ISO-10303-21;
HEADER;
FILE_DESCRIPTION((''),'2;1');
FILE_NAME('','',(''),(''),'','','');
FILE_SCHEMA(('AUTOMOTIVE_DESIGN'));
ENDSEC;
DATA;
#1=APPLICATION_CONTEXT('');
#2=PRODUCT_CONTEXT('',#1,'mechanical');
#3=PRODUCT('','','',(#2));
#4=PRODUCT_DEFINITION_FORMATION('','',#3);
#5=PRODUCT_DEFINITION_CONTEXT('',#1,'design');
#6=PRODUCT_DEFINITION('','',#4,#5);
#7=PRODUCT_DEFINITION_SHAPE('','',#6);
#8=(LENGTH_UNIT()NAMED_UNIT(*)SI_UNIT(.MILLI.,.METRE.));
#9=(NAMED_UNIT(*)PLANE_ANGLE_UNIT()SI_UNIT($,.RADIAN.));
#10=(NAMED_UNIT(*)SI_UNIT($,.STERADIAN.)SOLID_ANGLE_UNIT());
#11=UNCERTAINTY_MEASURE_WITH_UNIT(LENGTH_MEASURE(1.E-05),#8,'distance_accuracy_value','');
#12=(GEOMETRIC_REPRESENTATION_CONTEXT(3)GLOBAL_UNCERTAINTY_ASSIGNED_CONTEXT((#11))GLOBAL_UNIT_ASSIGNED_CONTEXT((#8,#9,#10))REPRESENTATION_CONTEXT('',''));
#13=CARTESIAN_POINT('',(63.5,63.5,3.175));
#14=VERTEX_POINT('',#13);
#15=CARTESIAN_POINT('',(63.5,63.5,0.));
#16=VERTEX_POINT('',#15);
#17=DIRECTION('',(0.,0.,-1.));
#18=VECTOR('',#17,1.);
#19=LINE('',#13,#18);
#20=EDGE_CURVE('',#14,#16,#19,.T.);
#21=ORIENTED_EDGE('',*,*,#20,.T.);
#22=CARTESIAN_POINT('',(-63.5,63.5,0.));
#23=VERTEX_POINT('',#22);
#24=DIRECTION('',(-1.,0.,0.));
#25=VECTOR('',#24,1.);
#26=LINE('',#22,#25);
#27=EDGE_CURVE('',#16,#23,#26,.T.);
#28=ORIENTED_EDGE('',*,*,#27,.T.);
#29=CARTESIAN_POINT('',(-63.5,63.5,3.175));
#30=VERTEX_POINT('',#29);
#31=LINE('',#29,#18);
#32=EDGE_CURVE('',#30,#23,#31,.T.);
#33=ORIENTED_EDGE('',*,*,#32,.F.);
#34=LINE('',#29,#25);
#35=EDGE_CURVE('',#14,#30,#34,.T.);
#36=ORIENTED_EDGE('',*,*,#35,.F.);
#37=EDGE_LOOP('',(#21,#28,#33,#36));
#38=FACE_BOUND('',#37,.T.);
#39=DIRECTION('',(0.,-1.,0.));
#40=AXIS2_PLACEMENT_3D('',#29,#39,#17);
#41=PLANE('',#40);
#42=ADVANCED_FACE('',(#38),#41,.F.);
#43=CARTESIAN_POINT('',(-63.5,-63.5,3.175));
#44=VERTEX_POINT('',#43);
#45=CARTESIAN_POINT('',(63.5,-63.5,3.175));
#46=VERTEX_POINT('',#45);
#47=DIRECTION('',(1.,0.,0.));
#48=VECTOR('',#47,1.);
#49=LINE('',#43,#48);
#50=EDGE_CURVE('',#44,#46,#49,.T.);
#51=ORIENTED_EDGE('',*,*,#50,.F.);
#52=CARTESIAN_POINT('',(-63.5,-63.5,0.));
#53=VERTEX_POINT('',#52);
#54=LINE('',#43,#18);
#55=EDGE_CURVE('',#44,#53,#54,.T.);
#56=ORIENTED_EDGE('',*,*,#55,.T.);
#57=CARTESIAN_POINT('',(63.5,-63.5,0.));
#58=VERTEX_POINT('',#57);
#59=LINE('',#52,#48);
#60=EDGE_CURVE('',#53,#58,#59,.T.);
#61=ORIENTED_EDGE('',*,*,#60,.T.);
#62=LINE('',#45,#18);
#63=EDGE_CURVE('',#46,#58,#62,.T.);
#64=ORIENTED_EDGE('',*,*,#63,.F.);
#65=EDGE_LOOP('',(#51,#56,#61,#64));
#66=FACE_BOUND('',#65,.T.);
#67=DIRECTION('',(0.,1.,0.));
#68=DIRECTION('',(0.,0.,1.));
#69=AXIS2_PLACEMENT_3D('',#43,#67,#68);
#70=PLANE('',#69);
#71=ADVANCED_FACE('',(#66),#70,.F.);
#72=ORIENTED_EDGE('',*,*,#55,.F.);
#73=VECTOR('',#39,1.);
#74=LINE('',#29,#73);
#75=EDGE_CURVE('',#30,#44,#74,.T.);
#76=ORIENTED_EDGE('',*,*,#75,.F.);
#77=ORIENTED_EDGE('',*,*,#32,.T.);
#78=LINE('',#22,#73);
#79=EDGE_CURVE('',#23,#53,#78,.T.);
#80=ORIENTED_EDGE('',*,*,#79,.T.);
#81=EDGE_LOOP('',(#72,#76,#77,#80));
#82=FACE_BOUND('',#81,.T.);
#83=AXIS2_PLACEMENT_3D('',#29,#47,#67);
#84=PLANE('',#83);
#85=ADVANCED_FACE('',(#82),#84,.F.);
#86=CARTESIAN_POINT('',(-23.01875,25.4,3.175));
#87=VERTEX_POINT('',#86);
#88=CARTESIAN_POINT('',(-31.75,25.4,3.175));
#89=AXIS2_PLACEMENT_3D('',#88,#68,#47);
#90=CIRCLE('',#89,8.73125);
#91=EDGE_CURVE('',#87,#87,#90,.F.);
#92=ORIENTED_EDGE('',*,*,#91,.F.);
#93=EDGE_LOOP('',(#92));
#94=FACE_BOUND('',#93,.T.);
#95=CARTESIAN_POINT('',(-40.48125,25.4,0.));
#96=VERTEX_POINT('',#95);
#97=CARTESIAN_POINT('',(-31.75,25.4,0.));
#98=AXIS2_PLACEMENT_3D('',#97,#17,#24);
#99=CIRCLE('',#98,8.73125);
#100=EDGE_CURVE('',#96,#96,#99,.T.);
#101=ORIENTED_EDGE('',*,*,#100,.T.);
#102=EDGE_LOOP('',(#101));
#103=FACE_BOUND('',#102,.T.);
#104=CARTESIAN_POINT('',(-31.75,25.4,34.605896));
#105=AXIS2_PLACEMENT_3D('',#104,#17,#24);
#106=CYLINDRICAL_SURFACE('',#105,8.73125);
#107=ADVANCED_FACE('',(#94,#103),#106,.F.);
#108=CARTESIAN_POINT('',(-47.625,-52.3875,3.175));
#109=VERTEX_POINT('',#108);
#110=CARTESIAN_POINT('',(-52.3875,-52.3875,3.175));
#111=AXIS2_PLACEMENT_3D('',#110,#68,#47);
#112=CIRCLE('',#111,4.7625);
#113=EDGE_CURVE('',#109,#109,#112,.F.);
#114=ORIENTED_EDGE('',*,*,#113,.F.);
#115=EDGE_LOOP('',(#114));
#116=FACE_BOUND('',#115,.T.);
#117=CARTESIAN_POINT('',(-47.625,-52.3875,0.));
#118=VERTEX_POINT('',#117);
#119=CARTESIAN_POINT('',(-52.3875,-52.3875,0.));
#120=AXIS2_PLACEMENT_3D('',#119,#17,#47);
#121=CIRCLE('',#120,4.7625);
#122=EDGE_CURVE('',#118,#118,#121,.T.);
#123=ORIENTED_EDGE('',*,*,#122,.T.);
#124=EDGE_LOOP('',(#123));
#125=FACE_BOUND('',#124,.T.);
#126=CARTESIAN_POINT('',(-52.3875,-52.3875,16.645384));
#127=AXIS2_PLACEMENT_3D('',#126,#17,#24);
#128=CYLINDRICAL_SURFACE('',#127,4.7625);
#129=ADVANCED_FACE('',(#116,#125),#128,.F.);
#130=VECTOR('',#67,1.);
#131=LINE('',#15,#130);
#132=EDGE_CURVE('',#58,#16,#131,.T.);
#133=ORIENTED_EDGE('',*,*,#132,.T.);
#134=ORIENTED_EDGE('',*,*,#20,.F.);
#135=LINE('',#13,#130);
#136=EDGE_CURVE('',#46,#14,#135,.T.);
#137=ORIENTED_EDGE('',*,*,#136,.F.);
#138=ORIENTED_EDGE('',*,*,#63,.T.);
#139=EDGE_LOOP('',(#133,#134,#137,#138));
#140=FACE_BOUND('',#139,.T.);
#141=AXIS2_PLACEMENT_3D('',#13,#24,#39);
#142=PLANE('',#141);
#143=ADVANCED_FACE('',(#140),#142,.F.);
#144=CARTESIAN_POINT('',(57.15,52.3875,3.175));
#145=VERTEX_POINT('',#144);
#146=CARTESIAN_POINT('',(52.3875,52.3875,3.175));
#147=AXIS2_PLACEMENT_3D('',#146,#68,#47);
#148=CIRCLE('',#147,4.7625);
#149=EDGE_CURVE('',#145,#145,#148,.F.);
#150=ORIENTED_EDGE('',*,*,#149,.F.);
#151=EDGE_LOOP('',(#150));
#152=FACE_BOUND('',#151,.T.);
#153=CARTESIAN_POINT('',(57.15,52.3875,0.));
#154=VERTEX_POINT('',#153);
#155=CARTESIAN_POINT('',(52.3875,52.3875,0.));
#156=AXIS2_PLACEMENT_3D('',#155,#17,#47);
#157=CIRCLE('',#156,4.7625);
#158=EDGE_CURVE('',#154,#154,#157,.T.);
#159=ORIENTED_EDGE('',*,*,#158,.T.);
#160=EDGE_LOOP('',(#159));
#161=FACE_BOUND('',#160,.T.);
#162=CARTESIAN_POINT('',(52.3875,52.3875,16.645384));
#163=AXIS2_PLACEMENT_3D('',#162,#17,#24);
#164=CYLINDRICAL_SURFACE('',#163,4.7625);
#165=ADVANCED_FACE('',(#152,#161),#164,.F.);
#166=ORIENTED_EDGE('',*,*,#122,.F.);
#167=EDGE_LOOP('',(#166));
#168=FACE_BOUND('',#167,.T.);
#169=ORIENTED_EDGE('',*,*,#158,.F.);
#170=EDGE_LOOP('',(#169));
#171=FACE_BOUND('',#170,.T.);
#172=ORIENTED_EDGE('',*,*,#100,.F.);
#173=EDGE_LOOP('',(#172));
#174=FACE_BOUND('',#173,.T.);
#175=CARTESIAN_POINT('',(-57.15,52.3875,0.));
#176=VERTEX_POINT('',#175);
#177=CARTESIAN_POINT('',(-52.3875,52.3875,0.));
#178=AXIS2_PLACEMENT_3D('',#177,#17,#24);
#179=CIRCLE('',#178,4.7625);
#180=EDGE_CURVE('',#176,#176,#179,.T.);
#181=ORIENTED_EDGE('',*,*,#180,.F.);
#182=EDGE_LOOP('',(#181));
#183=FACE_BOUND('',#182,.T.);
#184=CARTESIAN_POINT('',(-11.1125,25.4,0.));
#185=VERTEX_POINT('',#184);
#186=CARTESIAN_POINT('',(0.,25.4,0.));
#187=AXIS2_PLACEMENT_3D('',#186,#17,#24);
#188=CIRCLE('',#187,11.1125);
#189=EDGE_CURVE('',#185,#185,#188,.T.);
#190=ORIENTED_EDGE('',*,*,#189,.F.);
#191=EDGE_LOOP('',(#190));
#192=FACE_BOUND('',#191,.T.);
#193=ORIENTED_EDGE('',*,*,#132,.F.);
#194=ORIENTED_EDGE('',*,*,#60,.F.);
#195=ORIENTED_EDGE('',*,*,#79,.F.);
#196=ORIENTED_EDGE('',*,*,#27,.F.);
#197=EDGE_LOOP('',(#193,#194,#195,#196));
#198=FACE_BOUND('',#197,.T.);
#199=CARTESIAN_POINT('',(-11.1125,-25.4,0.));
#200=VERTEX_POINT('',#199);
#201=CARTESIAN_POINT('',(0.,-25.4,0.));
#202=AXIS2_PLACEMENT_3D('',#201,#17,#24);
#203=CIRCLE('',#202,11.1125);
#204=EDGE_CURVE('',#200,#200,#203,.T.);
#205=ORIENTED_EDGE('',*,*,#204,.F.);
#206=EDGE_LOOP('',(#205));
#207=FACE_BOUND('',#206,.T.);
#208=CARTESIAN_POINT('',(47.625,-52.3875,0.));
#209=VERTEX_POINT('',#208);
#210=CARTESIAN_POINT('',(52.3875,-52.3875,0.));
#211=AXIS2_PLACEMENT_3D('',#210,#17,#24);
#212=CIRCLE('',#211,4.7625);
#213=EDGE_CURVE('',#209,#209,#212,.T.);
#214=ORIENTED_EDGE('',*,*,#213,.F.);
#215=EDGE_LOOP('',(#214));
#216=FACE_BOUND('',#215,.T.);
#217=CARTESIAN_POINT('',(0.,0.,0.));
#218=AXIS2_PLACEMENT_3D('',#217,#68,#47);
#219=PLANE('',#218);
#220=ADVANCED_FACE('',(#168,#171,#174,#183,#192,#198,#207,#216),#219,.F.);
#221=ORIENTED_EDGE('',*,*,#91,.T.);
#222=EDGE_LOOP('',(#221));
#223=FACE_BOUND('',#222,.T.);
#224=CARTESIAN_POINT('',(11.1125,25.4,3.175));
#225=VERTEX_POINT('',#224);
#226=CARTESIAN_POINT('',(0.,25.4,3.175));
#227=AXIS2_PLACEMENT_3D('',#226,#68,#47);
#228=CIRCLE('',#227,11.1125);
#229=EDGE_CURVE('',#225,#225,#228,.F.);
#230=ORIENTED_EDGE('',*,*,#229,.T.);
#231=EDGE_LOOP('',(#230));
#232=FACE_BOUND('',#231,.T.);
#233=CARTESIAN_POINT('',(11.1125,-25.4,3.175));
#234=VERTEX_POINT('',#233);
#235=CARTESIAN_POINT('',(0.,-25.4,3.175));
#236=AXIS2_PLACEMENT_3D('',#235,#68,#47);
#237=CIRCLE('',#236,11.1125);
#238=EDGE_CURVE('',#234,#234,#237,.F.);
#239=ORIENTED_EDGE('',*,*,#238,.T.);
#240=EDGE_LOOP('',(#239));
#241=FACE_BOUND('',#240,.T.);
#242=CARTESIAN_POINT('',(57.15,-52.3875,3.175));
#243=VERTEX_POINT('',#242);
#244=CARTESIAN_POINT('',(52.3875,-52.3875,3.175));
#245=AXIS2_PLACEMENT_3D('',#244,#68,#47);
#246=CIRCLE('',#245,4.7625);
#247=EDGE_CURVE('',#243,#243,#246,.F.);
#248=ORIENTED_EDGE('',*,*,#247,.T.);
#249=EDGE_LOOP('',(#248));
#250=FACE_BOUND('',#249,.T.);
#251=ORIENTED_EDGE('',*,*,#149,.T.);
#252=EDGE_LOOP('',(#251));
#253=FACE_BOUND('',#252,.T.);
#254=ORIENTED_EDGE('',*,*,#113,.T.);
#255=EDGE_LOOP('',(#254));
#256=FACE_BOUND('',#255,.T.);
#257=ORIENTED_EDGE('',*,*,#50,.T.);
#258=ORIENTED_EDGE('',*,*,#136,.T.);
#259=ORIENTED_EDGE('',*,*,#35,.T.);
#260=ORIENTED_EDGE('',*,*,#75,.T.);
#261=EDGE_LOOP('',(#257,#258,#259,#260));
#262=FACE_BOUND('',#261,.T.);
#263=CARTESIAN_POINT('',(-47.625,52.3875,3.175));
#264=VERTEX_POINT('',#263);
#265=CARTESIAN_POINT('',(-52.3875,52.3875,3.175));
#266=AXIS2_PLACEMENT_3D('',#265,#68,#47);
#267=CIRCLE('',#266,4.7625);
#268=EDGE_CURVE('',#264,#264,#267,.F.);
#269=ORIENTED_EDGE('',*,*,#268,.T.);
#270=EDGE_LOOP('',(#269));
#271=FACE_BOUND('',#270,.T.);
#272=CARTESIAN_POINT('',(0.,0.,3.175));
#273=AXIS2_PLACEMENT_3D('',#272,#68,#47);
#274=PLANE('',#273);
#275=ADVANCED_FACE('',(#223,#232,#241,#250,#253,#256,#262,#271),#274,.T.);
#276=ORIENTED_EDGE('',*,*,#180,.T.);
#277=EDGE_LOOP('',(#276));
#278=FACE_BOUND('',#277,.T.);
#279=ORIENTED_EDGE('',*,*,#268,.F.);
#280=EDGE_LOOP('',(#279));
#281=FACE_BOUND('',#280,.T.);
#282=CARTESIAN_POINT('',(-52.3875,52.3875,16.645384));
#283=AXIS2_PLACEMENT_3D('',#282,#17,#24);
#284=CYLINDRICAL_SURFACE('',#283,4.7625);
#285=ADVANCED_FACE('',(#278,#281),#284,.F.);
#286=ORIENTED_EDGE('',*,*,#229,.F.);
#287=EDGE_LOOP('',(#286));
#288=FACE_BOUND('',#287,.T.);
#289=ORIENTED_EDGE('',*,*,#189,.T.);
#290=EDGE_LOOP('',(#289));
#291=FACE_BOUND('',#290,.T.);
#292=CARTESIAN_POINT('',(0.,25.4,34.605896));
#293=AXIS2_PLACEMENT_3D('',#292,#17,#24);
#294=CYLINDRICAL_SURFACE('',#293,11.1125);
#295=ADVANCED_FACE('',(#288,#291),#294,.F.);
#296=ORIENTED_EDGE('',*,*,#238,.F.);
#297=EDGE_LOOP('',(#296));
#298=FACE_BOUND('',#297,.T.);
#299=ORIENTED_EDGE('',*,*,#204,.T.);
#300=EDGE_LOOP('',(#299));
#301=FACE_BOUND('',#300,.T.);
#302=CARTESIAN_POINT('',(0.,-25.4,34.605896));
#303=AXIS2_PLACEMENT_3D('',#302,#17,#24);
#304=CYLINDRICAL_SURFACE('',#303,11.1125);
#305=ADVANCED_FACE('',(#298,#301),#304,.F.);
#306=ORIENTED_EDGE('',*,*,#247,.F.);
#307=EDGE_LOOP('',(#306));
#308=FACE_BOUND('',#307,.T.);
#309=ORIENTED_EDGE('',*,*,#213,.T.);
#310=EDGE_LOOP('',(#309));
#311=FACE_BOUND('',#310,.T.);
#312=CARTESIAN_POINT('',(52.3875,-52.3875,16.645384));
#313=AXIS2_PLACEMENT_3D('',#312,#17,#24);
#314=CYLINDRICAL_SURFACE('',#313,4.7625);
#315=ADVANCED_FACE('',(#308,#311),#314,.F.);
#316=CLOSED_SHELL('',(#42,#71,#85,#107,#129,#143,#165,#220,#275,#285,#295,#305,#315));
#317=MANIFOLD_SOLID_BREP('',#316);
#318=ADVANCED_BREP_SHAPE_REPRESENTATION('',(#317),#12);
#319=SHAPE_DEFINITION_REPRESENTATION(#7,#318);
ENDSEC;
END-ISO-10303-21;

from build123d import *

# Parameters (mm, degrees)
SKETCH1_W           = 127
SKETCH1_H           = 127
BOSS_EXTRUDE1_DEPTH = 3.175
SKETCH2_R           = 11.1125
SKETCH2_R_2         = 8.73125
CUT_EXTRUDE1_DEPTH  = 3.175
SKETCH3_R           = 4.7625
CUT_EXTRUDE2_DEPTH  = 3.175


with BuildPart() as part:
    # Sketch1 → Boss-Extrude1 (new body)
    with BuildSketch(Plane.XY):
        Rectangle(SKETCH1_W, SKETCH1_H)
    extrude(amount=BOSS_EXTRUDE1_DEPTH)

    # Sketch2 → Cut-Extrude1 (cut)
    with BuildSketch(Plane(origin=(0, 0, 0), x_dir=(-1, 0, 0), z_dir=(0, 0, -1))):
        with Locations((0, 25.4)):
            Circle(SKETCH2_R)
        with Locations((31.75, 25.4)):
            Circle(SKETCH2_R_2)
        with Locations((0, -25.4)):
            Circle(SKETCH2_R)
    extrude(amount=-CUT_EXTRUDE1_DEPTH, mode=Mode.SUBTRACT)

    # Sketch3 → Cut-Extrude2 (cut)
    with BuildSketch(Plane(origin=(0, 0, 0), x_dir=(-1, 0, 0), z_dir=(0, 0, -1))):
        with Locations((52.3875, 52.3875)):
            Circle(SKETCH3_R)
        with Locations(Location((52.3875, -52.3875, 0), (0, 0, 180))):
            Circle(SKETCH3_R)
        with Locations(Location((-52.3875, 52.3875, 0), (0, 0, 180))):
            Circle(SKETCH3_R)
        with Locations((-52.3875, -52.3875)):
            Circle(SKETCH3_R)
    extrude(amount=-CUT_EXTRUDE2_DEPTH, mode=Mode.SUBTRACT)


solid = part.part
